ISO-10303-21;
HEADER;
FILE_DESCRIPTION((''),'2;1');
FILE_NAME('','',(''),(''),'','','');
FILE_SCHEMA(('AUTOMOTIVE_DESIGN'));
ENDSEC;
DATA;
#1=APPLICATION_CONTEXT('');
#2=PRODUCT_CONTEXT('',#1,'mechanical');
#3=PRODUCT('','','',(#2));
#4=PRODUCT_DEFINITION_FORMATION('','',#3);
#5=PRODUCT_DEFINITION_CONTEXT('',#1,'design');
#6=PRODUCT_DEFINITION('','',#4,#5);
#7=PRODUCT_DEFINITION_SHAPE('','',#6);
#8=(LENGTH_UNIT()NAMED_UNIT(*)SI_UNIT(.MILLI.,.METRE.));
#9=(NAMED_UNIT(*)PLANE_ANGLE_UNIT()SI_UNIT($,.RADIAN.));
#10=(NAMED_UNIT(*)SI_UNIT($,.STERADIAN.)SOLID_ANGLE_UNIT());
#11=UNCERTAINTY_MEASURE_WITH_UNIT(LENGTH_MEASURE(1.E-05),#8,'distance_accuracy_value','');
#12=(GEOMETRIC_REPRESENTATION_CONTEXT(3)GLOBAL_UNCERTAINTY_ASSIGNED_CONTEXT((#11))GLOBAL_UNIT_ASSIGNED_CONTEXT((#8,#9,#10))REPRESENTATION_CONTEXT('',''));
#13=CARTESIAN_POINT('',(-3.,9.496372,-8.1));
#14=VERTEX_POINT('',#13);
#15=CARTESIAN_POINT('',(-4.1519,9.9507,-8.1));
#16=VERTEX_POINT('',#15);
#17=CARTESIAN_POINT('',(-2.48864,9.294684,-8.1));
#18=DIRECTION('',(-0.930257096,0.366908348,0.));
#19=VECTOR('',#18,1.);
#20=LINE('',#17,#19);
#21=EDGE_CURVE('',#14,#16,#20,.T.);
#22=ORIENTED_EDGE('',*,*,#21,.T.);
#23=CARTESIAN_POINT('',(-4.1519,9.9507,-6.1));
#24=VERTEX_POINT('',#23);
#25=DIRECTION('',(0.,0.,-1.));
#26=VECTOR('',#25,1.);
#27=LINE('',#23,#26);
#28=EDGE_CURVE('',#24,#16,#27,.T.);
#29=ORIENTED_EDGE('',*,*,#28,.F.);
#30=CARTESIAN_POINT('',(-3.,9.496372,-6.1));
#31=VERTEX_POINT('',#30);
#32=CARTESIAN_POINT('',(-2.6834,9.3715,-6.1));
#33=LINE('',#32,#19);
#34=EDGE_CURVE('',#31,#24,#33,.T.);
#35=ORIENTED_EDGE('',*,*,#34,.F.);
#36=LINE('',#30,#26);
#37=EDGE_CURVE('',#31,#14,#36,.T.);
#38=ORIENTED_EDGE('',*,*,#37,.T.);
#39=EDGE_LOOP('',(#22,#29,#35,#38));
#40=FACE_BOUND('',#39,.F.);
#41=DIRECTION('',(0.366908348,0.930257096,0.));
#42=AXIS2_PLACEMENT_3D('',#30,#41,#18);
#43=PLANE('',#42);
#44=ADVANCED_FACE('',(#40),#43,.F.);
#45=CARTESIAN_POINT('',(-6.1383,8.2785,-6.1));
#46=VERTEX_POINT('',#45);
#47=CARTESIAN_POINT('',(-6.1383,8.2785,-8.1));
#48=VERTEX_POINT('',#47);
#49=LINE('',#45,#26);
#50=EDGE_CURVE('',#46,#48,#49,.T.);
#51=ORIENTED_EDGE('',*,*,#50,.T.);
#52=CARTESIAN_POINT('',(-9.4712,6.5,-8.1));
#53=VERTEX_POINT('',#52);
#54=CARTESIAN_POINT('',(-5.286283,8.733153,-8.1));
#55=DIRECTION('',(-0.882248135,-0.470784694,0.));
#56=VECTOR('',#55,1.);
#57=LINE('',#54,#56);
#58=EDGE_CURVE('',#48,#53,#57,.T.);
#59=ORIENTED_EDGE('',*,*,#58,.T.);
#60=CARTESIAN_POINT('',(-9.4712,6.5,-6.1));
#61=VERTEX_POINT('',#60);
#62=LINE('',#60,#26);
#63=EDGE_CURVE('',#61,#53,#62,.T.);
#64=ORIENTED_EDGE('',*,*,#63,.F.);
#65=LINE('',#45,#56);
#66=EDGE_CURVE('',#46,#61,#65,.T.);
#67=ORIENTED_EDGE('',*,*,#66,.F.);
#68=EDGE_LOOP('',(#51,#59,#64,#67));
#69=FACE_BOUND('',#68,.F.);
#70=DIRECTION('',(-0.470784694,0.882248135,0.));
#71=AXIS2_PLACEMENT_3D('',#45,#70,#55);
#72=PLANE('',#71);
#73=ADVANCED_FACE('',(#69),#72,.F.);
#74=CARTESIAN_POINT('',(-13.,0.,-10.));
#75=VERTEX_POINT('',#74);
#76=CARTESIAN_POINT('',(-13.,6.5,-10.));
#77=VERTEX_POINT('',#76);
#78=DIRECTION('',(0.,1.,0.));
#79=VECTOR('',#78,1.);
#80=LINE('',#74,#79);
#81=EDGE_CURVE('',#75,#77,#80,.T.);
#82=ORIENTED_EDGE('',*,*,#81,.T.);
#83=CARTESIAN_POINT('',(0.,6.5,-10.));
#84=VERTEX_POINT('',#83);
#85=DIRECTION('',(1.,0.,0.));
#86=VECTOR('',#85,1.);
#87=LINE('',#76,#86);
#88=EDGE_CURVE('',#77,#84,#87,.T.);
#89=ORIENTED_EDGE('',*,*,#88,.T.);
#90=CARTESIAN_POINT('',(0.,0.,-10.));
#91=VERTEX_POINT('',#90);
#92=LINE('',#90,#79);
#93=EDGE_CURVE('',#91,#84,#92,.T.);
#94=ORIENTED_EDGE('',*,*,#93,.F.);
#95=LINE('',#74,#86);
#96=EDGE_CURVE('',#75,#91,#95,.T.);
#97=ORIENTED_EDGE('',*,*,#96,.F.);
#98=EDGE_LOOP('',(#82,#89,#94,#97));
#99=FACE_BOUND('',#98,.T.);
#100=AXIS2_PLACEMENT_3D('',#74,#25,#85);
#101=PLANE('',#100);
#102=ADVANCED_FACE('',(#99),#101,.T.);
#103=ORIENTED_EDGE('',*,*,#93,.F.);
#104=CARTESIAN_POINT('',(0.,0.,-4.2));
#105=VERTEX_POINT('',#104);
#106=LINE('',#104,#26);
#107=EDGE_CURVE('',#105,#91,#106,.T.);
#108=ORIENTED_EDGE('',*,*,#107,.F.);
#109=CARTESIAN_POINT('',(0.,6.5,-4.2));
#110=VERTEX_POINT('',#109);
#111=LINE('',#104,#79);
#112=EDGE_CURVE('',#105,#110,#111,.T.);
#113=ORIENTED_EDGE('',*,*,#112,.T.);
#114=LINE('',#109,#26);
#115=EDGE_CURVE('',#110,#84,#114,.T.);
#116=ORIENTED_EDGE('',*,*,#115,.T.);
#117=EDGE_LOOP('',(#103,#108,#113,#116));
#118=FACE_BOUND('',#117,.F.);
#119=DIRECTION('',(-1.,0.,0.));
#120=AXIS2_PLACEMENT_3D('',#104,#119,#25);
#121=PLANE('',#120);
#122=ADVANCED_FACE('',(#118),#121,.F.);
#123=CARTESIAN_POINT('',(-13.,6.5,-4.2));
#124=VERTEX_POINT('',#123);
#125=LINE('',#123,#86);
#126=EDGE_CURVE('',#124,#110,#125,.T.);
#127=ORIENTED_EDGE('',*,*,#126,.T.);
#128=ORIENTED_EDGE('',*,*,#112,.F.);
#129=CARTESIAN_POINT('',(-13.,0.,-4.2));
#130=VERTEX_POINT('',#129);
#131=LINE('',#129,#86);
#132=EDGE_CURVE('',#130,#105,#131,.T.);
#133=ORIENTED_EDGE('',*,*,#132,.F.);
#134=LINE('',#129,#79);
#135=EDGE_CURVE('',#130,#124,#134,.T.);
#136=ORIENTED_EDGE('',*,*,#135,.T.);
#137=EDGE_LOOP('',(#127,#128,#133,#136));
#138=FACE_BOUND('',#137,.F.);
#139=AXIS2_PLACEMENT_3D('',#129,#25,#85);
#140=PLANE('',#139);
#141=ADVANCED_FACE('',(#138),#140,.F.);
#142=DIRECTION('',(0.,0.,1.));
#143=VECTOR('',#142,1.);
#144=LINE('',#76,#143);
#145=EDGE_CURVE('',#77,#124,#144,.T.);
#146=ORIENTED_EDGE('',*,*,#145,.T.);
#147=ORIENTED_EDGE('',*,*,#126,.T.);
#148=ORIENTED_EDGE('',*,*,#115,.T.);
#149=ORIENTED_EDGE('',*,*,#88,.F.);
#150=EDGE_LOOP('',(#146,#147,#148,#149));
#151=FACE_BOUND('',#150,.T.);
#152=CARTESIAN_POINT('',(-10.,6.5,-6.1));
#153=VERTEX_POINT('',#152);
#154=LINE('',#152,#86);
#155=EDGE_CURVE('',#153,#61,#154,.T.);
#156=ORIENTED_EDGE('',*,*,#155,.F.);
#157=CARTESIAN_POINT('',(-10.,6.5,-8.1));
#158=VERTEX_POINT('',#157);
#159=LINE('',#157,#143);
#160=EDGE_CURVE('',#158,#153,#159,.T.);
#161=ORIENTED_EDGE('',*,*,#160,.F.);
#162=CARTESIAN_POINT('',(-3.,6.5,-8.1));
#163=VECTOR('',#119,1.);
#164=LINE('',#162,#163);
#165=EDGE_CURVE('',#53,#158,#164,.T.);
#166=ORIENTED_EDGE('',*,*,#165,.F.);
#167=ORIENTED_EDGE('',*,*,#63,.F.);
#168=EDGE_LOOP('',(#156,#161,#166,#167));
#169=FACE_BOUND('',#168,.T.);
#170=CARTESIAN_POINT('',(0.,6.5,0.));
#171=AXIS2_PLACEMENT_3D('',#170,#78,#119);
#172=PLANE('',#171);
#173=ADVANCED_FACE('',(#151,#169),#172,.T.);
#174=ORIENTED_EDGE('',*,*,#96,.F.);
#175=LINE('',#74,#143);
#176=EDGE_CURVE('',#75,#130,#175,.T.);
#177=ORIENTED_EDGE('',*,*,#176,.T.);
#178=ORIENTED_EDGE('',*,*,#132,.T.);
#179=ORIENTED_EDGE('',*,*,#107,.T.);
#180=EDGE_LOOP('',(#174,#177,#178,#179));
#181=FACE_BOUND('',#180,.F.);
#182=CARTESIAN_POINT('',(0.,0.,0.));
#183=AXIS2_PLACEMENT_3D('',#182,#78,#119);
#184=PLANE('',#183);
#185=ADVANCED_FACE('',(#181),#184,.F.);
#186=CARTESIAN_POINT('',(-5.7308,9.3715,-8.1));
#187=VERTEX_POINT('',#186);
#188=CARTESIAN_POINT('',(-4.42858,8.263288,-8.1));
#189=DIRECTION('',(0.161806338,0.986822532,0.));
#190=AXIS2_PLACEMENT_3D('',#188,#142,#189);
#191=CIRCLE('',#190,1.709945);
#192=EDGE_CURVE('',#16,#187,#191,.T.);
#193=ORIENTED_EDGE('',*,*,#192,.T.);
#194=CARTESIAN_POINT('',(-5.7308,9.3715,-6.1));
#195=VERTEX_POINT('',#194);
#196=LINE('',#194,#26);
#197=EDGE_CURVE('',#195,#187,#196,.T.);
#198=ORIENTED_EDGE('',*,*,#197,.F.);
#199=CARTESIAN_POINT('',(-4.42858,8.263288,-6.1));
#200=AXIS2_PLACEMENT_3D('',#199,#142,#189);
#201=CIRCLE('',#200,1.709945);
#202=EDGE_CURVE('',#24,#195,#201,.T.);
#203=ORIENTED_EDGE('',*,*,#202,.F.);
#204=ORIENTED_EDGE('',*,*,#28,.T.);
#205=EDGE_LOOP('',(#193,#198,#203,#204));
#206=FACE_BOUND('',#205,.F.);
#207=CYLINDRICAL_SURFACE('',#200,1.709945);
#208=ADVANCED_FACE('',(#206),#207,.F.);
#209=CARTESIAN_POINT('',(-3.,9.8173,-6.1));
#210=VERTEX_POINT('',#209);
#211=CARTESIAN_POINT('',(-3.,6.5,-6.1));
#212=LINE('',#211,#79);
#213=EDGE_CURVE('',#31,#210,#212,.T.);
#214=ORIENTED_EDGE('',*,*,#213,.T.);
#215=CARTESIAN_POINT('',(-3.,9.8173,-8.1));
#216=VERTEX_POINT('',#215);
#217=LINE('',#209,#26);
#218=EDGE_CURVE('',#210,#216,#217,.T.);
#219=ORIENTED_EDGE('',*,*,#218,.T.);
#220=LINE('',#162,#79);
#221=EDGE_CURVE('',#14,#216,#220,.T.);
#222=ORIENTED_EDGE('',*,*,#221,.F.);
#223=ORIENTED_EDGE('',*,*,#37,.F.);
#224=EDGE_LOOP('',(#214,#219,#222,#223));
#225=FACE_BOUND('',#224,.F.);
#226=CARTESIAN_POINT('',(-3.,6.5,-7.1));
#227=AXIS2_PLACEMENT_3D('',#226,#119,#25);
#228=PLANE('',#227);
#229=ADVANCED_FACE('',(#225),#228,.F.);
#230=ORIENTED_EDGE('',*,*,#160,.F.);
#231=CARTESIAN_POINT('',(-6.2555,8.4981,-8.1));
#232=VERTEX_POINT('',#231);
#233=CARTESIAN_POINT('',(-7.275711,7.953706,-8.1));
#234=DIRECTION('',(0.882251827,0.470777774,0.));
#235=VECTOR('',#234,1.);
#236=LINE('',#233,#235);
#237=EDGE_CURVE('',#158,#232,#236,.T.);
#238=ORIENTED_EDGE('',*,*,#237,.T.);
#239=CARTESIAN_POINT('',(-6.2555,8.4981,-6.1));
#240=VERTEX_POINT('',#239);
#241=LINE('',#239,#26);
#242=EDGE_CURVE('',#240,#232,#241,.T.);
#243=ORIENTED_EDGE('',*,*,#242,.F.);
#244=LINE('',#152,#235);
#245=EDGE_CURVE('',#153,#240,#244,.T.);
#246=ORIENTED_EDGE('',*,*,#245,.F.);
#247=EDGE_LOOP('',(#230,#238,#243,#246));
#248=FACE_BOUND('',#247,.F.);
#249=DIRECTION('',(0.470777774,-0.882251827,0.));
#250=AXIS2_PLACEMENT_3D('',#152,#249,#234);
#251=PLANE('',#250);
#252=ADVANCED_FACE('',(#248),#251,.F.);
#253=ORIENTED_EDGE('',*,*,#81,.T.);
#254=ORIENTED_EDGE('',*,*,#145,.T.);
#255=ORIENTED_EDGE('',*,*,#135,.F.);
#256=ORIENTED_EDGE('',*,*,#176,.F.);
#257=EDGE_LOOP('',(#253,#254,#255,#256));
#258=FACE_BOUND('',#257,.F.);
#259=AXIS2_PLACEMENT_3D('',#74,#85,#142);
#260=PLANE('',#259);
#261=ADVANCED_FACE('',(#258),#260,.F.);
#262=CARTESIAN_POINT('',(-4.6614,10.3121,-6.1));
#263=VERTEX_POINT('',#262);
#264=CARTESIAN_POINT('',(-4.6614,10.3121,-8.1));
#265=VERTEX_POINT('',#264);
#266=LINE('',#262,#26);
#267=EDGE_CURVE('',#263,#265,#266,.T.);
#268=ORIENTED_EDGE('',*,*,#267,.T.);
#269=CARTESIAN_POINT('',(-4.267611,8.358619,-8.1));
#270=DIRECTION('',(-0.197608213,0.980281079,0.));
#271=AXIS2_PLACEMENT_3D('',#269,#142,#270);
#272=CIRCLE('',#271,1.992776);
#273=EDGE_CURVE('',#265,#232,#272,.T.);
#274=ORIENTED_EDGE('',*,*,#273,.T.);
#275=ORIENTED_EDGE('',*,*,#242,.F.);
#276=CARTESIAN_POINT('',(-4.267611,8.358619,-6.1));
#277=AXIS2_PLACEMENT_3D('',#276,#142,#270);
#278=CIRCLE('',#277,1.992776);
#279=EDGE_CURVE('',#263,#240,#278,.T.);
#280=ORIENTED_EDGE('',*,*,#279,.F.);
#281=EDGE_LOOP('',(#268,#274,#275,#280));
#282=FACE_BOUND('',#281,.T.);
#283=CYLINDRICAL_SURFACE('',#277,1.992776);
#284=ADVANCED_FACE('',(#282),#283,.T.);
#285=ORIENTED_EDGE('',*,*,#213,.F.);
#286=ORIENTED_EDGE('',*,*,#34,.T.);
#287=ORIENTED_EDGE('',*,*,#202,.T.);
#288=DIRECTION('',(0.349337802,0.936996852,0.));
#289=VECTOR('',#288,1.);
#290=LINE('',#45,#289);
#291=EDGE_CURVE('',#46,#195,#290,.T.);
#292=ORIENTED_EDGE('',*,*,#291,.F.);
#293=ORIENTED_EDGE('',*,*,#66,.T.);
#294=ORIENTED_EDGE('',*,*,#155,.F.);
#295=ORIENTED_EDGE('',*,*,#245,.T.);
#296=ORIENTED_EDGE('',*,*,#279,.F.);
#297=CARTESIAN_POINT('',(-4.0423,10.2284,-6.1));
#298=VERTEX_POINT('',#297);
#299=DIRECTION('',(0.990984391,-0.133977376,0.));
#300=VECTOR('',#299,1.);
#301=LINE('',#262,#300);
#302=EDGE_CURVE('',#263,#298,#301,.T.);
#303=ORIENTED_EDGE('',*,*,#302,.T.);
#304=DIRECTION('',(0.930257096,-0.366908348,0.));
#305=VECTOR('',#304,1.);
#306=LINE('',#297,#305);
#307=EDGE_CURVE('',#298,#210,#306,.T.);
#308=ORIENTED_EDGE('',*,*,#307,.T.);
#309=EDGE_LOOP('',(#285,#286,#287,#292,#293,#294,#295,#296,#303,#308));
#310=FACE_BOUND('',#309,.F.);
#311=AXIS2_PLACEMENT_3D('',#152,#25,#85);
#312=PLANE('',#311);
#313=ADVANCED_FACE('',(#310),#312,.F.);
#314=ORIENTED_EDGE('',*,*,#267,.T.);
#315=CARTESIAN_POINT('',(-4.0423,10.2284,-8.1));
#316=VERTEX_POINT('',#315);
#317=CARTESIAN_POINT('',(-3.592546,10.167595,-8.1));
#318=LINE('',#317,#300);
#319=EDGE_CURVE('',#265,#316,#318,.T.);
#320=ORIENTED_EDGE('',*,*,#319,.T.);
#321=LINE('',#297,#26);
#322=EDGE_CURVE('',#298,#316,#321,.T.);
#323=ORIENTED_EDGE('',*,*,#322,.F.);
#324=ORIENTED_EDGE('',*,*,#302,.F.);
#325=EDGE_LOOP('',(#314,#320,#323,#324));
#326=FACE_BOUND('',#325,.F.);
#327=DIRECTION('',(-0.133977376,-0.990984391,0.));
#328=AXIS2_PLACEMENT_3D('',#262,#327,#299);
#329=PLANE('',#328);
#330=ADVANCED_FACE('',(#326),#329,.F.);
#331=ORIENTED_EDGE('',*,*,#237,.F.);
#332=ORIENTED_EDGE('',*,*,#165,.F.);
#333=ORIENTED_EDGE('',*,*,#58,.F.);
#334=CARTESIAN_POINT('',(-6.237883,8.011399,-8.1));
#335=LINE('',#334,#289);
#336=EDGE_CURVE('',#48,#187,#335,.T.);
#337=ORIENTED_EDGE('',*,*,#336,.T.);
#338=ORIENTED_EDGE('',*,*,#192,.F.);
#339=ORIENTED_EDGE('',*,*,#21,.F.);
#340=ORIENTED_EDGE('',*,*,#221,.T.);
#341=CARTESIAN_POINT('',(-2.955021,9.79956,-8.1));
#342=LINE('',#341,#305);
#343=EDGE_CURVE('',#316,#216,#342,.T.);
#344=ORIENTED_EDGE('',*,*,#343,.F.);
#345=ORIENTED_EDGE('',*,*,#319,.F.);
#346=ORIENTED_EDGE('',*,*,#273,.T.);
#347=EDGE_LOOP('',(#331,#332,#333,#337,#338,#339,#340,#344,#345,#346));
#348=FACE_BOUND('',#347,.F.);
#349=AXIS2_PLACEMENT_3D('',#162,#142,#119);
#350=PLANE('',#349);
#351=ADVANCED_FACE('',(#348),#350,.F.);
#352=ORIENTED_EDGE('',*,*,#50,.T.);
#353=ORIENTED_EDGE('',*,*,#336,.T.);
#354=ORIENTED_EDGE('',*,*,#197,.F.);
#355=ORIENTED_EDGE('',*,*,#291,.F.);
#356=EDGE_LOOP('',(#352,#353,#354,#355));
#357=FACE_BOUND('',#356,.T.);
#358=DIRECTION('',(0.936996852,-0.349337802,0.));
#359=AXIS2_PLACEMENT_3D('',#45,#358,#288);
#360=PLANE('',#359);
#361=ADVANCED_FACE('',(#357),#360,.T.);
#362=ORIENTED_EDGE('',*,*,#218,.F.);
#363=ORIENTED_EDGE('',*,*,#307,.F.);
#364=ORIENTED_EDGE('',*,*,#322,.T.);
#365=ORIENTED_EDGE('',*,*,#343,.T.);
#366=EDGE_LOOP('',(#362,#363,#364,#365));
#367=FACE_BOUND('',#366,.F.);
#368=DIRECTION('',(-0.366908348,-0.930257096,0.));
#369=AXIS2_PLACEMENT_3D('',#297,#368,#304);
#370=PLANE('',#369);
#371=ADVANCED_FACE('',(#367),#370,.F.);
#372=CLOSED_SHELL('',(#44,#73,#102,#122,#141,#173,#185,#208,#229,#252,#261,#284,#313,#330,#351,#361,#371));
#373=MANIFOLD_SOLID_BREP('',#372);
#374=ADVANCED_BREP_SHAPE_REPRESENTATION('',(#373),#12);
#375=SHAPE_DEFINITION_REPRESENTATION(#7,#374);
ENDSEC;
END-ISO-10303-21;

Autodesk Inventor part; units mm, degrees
ref_plane "YZ Plane" through (0, 0, 0) normal (1, 0, 0) x (0, 1, 0)
ref_plane "XZ Plane" through (0, 0, 0) normal (0, 1, 0) x (-1, 0, 0)
ref_plane "XY Plane" through (0, 0, 0) normal (0, 0, 1) x (1, 0, 0)
sketch "Sketch1" plane through (0, 0, 0) normal (0, 1, 0) x (-1, 0, 0)
  line L0 (13, -10) -> (0, -10)
  line L1 (0, -10) -> (13, -10)
  line L2 (13, -10) -> (13, -4.2)
  line L3 (13, -4.2) -> (0, -4.2)
  line L4 (0, -4.2) -> (0, -10)
  dimension "d0" = 13
  dimension "d4" = 5.8
extrude "Extrusion1" add sketch "Sketch1" along normal blind 6.5
sketch "Sketch2" plane through (0, 6.5, 0) normal (0, 1, 0) x (1, 0, 0)
  line L0 (0, 4.2) -> (0, 10) projected
  line L1 (0, 0) -> (0, 4.2)
  line L2 (0, 4.2) -> (0, 10)
  line L3 (0, 4.2) -> (0, 10) projected
  line L4 (0, 7.1) -> (-3, 7.1)
  line L5 (-3, 7.1) -> (-3, 8.1)
  line L6 (-3, 8.1) -> (-3, 6.1)
  line L7 (-3, 8.1) -> (-10, 8.1)
  line L8 (-10, 8.1) -> (-10, 6.1)
  line L9 (-10, 6.1) -> (-3, 6.1)
  line L10 (-3, 6.1) -> (-3, 8.1)
  dimension "d5" = 3
  dimension "d6" = 1
  dimension "d7" = 2
  dimension "d8" = 7
extrude "Extrusion2" add sketch "Sketch2" along normal blind 6
sketch "Sketch3" plane through (-10, 6.5, -6.1) normal (0, 0, 1) x (1, 0, 0)
  line L0 (7, 0) -> (0, 0) projected
  line L1 (0, 0) -> (3.7445, 1.9981)
  line L2 (3.7445, 1.9981) -> (3.8617, 1.7785)
  line L3 (3.8617, 1.7785) -> (0.5288, 0)
  arc A0 (5.3386, 3.8121) -> (3.7445, 1.9981) centre (5.7324, 1.8586) ccw
  arc A1 (5.8481, 3.4507) -> (4.2692, 2.8715) centre (5.5714, 1.7635) ccw
  line L4 (5.9577, 3.7284) -> (7.4262, 3.1492)
  line L5 (7.4262, 3.1492) -> (7.3166, 2.8715)
  line L6 (7.3166, 2.8715) -> (5.8481, 3.4507)
  line L7 (5.3386, 3.8121) -> (5.9577, 3.7284)
  line L8 (3.8617, 1.7785) -> (4.2692, 2.8715)
  line L9 (0.5288, 0) -> (0, 0)
  line L10 (7, 6) -> (0, 6) projected
  line L11 (0, 6) -> (7, 6)
  line L12 (7, 6) -> (7, 0)
  line L13 (7, 0) -> (0, 0)
  line L14 (0, 0) -> (0, 6)
  point P0 (10, -6.5)
  point P1 (7, 2.9964)
  point P2 (7, 3.3173)
extrude "Extrusion3" cut sketch "Sketch3" against normal blind 6 contours L0 L3 L8 A1 L6 L12 | L14 L10 L12 L4 L7 A0 L1
properties part number "WK330"
